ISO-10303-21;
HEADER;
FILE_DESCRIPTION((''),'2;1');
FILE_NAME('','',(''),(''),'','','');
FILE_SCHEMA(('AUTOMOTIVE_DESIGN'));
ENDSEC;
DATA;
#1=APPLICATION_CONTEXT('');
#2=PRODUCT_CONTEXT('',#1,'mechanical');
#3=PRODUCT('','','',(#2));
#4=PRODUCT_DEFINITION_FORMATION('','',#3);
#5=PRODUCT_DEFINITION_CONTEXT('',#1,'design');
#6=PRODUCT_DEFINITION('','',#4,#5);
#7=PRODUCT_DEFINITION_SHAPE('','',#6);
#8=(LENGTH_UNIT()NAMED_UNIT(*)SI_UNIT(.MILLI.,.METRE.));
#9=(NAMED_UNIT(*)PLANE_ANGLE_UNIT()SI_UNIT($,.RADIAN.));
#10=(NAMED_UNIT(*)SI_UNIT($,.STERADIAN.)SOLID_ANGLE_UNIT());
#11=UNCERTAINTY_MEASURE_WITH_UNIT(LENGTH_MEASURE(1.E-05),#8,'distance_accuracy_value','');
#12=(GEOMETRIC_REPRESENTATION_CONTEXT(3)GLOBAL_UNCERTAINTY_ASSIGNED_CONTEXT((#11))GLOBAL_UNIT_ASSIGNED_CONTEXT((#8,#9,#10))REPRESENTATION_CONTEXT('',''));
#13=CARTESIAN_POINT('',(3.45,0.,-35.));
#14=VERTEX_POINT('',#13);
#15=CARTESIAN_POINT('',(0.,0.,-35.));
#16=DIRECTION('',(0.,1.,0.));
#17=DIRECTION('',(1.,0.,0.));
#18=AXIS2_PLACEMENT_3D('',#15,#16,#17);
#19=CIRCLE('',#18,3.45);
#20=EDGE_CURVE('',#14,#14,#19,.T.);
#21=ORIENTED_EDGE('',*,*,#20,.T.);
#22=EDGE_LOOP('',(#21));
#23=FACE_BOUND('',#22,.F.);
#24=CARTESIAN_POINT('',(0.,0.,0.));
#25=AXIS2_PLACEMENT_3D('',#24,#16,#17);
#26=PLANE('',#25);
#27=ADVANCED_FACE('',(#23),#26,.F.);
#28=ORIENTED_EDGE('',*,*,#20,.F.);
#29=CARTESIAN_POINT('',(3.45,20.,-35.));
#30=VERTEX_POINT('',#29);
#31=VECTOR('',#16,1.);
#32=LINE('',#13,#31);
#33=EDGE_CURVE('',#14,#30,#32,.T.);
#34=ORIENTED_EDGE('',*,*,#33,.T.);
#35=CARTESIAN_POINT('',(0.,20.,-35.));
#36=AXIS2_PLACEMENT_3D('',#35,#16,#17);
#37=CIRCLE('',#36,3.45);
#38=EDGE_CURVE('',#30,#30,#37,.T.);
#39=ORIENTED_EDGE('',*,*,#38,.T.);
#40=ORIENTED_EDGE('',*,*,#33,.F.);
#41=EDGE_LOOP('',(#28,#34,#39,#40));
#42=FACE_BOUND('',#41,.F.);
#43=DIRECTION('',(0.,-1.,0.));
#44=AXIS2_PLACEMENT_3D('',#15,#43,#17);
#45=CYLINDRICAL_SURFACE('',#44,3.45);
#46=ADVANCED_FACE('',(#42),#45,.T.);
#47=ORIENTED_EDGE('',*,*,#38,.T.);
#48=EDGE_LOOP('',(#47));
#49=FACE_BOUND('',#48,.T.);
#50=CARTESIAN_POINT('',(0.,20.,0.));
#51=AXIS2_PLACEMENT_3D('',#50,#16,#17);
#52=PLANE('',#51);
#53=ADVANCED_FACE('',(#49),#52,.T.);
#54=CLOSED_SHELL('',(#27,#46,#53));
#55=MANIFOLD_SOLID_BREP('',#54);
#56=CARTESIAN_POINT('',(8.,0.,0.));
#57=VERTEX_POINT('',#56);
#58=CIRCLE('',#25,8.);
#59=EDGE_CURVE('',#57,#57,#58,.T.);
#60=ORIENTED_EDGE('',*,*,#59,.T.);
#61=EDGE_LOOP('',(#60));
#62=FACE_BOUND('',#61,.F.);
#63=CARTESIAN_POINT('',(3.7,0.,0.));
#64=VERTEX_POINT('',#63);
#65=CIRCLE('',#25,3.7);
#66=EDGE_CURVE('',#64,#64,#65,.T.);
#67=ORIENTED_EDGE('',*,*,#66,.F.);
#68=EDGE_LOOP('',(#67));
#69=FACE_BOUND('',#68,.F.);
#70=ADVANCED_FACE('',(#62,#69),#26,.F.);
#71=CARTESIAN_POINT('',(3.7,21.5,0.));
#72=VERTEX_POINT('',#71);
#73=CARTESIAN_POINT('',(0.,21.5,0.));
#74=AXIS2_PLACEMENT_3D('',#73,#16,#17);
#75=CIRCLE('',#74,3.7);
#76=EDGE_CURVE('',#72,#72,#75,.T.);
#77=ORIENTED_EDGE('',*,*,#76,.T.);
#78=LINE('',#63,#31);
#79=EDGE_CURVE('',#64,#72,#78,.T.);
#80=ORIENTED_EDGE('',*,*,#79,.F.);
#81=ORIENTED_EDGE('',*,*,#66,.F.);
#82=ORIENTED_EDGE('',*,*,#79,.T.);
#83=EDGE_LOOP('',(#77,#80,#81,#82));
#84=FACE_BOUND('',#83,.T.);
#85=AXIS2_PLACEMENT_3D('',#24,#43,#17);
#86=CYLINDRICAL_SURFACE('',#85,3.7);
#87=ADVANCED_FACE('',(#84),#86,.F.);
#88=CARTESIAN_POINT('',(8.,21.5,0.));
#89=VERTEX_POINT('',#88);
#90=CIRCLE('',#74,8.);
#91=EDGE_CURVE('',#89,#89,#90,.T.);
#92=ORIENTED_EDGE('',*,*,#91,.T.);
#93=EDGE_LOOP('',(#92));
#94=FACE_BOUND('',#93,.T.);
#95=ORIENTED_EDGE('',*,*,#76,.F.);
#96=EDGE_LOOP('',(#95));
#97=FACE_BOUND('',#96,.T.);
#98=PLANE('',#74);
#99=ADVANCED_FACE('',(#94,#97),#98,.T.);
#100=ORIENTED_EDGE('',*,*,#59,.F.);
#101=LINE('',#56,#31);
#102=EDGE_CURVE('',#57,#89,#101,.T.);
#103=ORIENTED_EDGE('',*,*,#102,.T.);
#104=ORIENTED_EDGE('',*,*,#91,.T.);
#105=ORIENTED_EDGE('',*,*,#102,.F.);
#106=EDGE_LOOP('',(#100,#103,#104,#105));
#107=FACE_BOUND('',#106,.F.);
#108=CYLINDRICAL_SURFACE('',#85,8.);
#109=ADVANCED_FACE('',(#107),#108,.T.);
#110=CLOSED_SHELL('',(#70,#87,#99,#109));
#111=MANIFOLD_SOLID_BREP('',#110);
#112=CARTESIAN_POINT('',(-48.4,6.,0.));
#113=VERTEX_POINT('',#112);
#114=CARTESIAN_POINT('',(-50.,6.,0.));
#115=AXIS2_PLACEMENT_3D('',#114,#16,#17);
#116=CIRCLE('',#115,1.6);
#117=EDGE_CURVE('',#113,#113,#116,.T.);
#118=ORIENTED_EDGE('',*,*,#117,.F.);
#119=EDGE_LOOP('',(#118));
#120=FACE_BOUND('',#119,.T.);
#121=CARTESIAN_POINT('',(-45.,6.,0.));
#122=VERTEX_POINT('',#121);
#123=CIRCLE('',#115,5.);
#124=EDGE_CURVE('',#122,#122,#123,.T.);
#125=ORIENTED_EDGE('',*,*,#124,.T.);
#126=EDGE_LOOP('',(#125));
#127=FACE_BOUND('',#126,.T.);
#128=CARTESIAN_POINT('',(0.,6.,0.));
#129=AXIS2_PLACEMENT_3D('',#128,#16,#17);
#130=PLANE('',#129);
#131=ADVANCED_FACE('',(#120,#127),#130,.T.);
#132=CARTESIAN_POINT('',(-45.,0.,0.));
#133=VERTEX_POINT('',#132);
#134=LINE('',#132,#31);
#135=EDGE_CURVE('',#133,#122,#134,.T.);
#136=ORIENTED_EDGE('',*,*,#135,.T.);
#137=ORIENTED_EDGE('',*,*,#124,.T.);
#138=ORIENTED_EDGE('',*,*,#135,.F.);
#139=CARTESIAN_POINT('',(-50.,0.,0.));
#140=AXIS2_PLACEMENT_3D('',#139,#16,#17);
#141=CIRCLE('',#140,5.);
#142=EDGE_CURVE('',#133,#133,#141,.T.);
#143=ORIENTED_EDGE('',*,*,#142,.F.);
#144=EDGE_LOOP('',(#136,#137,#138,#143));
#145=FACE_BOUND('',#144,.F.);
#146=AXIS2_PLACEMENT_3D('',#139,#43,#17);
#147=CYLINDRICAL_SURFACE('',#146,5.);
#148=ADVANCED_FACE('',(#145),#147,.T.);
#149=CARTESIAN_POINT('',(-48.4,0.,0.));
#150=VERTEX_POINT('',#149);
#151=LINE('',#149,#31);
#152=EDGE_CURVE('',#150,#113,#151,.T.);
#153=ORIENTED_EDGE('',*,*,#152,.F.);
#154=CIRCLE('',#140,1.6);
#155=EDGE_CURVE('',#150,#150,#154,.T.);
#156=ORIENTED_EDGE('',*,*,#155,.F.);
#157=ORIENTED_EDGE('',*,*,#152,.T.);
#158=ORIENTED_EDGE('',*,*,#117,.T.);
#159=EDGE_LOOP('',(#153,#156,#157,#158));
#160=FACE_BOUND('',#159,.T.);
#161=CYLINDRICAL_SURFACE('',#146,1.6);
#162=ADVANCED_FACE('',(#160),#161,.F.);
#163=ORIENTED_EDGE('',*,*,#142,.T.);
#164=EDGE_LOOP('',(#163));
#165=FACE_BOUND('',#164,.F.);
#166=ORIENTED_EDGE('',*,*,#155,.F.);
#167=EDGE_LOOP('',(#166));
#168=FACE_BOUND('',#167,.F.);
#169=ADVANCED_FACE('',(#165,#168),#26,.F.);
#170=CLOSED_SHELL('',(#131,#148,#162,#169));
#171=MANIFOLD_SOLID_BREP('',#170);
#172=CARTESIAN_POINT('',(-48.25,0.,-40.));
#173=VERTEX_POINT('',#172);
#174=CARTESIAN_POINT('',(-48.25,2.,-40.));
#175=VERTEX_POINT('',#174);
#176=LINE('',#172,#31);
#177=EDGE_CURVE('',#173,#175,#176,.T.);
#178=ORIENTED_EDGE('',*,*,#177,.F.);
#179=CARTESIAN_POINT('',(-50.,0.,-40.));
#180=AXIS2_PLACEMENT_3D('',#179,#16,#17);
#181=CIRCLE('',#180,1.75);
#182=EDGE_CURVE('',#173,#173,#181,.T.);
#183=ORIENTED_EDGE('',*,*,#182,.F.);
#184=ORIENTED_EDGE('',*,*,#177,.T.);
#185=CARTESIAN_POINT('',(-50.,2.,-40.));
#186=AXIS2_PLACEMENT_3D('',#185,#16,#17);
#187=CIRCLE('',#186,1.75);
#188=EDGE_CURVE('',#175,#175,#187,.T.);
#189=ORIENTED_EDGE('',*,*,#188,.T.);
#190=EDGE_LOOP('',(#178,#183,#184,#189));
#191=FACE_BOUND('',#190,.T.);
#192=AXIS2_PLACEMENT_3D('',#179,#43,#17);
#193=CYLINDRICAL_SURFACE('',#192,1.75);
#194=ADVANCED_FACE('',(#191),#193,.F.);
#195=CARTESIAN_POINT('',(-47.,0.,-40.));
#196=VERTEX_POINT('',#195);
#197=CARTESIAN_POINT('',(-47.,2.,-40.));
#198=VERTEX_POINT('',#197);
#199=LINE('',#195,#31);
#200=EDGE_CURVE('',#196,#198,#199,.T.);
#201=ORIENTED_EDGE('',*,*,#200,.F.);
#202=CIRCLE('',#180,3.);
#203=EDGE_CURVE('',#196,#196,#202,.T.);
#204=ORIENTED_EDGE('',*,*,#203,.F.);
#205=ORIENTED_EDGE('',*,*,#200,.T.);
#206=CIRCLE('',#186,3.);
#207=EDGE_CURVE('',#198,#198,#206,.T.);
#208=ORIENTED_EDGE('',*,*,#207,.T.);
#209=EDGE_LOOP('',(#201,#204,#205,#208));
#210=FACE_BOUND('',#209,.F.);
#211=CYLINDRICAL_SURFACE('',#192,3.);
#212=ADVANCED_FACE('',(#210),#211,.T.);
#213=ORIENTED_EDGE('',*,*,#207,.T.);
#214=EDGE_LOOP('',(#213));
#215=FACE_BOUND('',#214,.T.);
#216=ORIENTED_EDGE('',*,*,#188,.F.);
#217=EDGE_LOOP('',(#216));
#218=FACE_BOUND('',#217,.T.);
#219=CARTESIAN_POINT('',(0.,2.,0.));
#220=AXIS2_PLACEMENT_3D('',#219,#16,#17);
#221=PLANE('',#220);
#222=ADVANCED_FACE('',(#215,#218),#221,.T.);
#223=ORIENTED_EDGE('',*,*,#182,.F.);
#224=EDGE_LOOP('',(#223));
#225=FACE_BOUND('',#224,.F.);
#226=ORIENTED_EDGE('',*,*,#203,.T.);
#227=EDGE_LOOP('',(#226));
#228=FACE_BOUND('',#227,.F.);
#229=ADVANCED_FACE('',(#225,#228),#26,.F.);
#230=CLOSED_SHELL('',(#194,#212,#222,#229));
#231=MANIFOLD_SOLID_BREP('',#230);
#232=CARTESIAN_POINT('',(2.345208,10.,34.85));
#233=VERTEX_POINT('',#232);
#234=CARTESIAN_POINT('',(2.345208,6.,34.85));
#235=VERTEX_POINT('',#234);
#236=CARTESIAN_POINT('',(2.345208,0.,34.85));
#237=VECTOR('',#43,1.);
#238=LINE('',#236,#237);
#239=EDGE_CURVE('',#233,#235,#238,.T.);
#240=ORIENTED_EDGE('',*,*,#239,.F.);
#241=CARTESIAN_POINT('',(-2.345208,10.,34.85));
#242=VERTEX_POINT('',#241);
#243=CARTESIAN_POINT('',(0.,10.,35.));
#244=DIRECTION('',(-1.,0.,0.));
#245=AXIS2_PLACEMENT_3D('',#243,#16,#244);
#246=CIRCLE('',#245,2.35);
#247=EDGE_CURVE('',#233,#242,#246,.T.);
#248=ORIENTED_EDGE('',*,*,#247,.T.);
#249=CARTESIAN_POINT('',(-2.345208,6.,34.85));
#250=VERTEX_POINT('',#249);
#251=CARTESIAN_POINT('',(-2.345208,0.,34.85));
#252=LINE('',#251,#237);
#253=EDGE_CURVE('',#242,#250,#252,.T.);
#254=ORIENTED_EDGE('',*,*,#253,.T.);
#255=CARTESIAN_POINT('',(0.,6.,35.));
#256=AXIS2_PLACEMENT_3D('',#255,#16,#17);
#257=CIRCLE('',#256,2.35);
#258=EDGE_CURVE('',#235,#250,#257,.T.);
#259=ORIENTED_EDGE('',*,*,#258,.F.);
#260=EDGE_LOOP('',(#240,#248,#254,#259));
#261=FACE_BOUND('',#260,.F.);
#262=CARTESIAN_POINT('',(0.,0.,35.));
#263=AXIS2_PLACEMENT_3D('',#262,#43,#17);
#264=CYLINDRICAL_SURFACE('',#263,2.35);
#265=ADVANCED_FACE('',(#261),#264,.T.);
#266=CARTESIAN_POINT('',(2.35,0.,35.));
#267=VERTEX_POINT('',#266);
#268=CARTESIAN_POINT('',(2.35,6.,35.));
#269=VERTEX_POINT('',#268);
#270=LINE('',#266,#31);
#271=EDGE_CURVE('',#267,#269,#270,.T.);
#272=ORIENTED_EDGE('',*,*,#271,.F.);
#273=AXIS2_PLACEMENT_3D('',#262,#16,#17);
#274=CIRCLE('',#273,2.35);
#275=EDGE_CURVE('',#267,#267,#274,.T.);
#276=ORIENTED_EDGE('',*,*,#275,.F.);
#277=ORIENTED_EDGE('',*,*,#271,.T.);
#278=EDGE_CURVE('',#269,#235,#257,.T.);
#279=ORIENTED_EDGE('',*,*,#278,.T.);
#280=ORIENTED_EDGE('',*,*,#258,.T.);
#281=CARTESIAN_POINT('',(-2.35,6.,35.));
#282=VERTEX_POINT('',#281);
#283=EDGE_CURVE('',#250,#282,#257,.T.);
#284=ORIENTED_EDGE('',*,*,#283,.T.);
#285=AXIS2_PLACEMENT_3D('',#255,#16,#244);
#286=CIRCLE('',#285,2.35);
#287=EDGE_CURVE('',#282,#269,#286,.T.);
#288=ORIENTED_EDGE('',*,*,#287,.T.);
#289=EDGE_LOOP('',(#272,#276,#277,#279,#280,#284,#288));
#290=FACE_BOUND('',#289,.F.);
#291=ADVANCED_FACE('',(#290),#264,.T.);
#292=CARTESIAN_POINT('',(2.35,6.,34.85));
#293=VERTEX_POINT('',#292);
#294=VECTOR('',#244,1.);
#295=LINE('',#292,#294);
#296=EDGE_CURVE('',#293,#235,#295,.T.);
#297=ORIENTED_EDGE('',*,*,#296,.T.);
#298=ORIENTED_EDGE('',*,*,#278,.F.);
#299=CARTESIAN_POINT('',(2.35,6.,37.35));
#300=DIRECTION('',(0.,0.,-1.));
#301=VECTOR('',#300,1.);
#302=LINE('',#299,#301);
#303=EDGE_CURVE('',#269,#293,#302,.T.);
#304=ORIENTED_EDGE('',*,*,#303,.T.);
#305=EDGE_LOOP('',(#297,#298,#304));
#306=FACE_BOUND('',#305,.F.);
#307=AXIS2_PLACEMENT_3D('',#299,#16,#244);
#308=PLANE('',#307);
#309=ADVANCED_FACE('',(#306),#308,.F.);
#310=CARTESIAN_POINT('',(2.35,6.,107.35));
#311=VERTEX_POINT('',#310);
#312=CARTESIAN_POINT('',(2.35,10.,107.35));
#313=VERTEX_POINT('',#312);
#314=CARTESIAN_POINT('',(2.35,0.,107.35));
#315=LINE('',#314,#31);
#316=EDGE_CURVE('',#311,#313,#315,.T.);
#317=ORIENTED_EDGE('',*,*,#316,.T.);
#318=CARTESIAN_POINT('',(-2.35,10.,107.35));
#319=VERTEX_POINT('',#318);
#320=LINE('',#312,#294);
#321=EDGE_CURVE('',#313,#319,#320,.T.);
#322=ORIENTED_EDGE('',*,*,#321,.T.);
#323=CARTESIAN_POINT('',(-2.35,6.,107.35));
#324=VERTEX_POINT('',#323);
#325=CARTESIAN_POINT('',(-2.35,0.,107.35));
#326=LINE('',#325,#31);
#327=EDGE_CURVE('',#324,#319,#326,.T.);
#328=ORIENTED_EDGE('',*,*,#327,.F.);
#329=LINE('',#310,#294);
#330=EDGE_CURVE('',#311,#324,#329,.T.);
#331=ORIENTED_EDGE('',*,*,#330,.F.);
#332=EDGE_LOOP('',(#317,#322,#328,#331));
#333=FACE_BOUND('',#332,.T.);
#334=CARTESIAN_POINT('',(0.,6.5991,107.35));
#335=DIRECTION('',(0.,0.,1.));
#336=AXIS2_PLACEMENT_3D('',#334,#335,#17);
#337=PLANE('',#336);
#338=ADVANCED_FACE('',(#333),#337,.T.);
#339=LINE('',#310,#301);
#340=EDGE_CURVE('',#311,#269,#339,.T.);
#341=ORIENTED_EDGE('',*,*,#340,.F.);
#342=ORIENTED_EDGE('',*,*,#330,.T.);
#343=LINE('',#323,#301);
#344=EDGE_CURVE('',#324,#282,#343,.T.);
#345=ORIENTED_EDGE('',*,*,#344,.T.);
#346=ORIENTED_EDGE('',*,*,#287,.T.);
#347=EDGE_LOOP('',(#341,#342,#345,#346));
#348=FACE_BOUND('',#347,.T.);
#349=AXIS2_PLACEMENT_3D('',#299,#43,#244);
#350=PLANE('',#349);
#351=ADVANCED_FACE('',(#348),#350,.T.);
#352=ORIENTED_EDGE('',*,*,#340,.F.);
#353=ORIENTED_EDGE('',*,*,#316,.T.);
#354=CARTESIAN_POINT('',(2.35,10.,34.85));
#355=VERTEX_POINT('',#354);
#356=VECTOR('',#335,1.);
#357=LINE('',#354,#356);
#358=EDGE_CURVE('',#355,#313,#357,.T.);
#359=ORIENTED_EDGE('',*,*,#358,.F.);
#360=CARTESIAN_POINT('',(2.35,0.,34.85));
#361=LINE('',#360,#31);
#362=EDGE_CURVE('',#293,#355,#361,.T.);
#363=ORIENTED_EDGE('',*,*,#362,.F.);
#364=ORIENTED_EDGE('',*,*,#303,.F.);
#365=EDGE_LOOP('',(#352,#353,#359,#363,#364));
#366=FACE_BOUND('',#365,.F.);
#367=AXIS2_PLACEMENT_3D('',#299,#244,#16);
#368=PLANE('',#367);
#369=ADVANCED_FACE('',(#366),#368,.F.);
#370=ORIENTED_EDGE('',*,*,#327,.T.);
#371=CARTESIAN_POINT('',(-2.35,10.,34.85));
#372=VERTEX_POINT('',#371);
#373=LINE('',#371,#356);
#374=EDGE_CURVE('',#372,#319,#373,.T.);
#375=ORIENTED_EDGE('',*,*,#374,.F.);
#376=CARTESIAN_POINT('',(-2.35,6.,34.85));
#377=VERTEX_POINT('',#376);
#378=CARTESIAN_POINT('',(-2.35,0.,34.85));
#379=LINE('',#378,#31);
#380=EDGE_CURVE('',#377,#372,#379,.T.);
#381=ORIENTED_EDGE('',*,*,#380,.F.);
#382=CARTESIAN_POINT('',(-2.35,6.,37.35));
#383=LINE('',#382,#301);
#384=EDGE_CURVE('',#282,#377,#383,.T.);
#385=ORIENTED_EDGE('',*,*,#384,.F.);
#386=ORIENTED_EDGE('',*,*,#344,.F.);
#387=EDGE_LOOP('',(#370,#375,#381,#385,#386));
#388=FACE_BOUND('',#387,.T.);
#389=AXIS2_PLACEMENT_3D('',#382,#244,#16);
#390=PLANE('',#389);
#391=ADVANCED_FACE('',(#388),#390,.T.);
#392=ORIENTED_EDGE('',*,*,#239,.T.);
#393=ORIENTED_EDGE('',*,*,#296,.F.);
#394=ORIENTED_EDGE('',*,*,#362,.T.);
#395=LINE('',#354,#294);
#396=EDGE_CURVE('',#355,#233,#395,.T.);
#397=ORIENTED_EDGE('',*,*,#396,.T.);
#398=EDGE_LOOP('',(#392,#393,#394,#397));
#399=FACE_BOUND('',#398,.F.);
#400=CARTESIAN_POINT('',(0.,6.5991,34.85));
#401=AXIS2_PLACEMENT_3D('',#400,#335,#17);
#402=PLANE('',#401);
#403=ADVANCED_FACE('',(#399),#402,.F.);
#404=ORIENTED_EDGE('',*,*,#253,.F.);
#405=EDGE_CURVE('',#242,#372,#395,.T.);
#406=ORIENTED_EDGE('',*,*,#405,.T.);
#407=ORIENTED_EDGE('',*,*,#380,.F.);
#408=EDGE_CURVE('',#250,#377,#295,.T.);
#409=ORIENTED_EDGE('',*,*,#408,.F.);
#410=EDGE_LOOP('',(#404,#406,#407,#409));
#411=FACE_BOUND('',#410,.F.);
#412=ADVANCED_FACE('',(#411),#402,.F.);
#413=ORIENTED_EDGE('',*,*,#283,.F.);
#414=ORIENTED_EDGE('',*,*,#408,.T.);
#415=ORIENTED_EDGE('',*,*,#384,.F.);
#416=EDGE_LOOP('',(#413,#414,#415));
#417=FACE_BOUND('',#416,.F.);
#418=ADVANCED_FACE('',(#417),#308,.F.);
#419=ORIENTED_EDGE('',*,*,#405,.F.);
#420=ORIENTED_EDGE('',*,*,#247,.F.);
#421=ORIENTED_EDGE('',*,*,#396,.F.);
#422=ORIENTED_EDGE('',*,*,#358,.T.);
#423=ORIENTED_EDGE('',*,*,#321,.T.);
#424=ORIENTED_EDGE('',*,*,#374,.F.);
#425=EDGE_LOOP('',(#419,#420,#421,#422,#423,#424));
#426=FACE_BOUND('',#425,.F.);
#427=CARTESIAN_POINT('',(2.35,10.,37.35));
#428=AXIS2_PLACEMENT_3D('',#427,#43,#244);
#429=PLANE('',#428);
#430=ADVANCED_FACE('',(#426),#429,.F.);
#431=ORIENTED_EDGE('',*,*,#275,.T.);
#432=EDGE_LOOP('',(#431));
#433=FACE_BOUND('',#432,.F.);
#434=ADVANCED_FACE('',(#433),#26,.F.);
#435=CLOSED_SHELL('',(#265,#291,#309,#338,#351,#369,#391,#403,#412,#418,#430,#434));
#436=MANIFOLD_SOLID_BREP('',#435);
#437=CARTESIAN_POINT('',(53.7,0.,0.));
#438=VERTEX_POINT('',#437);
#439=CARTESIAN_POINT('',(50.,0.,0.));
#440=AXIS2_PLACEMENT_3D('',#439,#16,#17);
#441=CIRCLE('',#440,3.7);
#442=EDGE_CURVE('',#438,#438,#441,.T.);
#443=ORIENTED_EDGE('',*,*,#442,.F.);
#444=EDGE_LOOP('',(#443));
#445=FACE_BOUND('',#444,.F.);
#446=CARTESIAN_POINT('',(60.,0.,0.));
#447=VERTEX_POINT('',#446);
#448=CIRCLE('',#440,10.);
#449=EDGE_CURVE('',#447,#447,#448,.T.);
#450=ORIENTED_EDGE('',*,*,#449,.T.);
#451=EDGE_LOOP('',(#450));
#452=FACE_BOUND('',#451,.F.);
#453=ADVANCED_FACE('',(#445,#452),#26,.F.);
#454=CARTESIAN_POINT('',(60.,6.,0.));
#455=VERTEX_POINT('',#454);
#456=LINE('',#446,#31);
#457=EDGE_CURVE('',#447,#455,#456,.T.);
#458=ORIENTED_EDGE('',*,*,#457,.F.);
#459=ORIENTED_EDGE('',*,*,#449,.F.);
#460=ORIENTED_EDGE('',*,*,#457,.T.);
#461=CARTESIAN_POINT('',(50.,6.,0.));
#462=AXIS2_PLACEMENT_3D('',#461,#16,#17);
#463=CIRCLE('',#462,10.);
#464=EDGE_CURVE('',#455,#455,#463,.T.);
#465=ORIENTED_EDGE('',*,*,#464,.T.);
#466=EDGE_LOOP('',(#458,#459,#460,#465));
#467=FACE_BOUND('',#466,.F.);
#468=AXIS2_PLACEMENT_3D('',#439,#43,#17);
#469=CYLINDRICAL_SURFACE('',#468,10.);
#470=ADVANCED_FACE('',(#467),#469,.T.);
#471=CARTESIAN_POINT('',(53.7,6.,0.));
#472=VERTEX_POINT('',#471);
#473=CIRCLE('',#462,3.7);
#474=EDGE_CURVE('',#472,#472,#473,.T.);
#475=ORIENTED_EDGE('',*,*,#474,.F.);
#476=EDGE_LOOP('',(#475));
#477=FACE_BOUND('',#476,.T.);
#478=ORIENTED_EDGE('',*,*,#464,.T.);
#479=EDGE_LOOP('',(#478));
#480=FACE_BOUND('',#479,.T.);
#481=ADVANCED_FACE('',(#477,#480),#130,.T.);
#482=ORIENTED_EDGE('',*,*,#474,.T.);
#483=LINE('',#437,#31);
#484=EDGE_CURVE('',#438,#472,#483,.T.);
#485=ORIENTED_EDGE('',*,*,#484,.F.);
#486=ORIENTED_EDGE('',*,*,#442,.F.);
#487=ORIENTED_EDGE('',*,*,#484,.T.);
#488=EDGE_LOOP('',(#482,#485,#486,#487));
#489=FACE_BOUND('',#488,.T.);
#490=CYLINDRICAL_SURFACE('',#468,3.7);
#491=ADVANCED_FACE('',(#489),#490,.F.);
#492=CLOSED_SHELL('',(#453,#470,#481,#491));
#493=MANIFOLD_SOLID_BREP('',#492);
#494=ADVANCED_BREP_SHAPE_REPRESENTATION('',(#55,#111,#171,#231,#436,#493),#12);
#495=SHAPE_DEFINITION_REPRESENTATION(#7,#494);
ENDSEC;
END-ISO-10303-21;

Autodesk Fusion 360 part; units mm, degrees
sketch "Sketch1" plane through (0, 0, 0) normal (0, 1, 0) x (1, 0, 0)
  circle A0 centre (0, 0) radius 3.7
  circle A1 centre (0, 0) radius 8
  dimension "d1" = 7.4
  dimension "d2" = 16
extrude "Extrude1" add sketch "Sketch1" along normal blind 21.5 makes body 1
sketch "Sketch2" plane through (0, 0, 0) normal (0, 1, 0) x (1, 0, 0)
  circle A0 centre (-50, 0) radius 1.6
  circle A1 centre (-50, 0) radius 5
  dimension "d5" = 3.2
  dimension "d6" = 10
extrude "Extrude2" add sketch "Sketch2" along normal blind 6 separate body makes body 2
sketch "Sketch3" plane through (0, 0, 0) normal (0, 1, 0) x (1, 0, 0)
  circle A0 centre (50, 0) radius 3.7
  circle A1 centre (50, 0) radius 10
  dimension "d9" = 7.4
  dimension "d10" = 20
extrude "Extrude3" add sketch "Sketch3" along normal blind 6 separate body makes body 3
sketch "Sketch4" plane through (0, 0, 0) normal (0, 1, 0) x (1, 0, 0)
  circle A0 centre (0, 35) radius 3.45
  dimension "d13" = 6.9
extrude "Extrude4" add sketch "Sketch4" along normal blind 20 separate body makes body 4
sketch "Sketch5" plane through (0, 0, 0) normal (0, 1, 0) x (1, 0, 0)
  circle A0 centre (0, -35) radius 2.35
  dimension "d16" = 4.7
extrude "Extrude5" add sketch "Sketch5" along normal blind 6 separate body makes body 5
sketch "Sketch6" plane through (0, 6, 0) normal (0, 1, 0) x (-1, 0, 0)
  circle A0 centre (0, 35) radius 2.35
  circle A1 centre (0, 35) radius 2.35
extrude "Extrude6" add sketch "Sketch6" along normal blind 4 bodies 5
ref_plane "WorkPlane1" through (0, 6.5991, 37.35) normal (0, 0, 1) x (-1, 0, 0)
sketch "Sketch7" plane through (0, 6.5991, 37.35) normal (0, 0, 1) x (1, 0, 0)
  line L0 (2.35, 3.4009) -> (-2.35, 3.4009)
  line L1 (2.35, -6.5991) -> (-2.35, -6.5991)
  line L2 (2.35, -6.5991) -> (2.35, 3.4009)
  line L3 (-2.35, -6.5991) -> (-2.35, 3.4009)
  line L4 (-2.35, 3.4009) -> (2.35, 3.4009)
  line L5 (2.35, 3.4009) -> (2.35, -0.5991)
  line L6 (2.35, -0.5991) -> (-2.35, -0.5991)
  line L7 (-2.35, -0.5991) -> (-2.35, 3.4009)
  dimension "d22" = 4
extrude "Extrude7" add sketch "Sketch7" along normal blind 70 separate body contours L0 L2 L3 L4 L5 L6 L7 makes body 6
extrude "Extrude8" add 1 faces at (-0.7833, 8.6667, 37.35) along direction (0, 0, -1) blind 2.5 on bodies 6 bodies 6 5
sketch "Sketch8" plane through (0, 0, 0) normal (0, 1, 0) x (1, 0, 0)
  circle A0 centre (-50, 40) radius 1.75
  circle A1 centre (-50, 40) radius 3
  dimension "d27" = 3.5
  dimension "d28" = 6
extrude "Extrude9" add sketch "Sketch8" along normal blind 2 separate body makes body 7
